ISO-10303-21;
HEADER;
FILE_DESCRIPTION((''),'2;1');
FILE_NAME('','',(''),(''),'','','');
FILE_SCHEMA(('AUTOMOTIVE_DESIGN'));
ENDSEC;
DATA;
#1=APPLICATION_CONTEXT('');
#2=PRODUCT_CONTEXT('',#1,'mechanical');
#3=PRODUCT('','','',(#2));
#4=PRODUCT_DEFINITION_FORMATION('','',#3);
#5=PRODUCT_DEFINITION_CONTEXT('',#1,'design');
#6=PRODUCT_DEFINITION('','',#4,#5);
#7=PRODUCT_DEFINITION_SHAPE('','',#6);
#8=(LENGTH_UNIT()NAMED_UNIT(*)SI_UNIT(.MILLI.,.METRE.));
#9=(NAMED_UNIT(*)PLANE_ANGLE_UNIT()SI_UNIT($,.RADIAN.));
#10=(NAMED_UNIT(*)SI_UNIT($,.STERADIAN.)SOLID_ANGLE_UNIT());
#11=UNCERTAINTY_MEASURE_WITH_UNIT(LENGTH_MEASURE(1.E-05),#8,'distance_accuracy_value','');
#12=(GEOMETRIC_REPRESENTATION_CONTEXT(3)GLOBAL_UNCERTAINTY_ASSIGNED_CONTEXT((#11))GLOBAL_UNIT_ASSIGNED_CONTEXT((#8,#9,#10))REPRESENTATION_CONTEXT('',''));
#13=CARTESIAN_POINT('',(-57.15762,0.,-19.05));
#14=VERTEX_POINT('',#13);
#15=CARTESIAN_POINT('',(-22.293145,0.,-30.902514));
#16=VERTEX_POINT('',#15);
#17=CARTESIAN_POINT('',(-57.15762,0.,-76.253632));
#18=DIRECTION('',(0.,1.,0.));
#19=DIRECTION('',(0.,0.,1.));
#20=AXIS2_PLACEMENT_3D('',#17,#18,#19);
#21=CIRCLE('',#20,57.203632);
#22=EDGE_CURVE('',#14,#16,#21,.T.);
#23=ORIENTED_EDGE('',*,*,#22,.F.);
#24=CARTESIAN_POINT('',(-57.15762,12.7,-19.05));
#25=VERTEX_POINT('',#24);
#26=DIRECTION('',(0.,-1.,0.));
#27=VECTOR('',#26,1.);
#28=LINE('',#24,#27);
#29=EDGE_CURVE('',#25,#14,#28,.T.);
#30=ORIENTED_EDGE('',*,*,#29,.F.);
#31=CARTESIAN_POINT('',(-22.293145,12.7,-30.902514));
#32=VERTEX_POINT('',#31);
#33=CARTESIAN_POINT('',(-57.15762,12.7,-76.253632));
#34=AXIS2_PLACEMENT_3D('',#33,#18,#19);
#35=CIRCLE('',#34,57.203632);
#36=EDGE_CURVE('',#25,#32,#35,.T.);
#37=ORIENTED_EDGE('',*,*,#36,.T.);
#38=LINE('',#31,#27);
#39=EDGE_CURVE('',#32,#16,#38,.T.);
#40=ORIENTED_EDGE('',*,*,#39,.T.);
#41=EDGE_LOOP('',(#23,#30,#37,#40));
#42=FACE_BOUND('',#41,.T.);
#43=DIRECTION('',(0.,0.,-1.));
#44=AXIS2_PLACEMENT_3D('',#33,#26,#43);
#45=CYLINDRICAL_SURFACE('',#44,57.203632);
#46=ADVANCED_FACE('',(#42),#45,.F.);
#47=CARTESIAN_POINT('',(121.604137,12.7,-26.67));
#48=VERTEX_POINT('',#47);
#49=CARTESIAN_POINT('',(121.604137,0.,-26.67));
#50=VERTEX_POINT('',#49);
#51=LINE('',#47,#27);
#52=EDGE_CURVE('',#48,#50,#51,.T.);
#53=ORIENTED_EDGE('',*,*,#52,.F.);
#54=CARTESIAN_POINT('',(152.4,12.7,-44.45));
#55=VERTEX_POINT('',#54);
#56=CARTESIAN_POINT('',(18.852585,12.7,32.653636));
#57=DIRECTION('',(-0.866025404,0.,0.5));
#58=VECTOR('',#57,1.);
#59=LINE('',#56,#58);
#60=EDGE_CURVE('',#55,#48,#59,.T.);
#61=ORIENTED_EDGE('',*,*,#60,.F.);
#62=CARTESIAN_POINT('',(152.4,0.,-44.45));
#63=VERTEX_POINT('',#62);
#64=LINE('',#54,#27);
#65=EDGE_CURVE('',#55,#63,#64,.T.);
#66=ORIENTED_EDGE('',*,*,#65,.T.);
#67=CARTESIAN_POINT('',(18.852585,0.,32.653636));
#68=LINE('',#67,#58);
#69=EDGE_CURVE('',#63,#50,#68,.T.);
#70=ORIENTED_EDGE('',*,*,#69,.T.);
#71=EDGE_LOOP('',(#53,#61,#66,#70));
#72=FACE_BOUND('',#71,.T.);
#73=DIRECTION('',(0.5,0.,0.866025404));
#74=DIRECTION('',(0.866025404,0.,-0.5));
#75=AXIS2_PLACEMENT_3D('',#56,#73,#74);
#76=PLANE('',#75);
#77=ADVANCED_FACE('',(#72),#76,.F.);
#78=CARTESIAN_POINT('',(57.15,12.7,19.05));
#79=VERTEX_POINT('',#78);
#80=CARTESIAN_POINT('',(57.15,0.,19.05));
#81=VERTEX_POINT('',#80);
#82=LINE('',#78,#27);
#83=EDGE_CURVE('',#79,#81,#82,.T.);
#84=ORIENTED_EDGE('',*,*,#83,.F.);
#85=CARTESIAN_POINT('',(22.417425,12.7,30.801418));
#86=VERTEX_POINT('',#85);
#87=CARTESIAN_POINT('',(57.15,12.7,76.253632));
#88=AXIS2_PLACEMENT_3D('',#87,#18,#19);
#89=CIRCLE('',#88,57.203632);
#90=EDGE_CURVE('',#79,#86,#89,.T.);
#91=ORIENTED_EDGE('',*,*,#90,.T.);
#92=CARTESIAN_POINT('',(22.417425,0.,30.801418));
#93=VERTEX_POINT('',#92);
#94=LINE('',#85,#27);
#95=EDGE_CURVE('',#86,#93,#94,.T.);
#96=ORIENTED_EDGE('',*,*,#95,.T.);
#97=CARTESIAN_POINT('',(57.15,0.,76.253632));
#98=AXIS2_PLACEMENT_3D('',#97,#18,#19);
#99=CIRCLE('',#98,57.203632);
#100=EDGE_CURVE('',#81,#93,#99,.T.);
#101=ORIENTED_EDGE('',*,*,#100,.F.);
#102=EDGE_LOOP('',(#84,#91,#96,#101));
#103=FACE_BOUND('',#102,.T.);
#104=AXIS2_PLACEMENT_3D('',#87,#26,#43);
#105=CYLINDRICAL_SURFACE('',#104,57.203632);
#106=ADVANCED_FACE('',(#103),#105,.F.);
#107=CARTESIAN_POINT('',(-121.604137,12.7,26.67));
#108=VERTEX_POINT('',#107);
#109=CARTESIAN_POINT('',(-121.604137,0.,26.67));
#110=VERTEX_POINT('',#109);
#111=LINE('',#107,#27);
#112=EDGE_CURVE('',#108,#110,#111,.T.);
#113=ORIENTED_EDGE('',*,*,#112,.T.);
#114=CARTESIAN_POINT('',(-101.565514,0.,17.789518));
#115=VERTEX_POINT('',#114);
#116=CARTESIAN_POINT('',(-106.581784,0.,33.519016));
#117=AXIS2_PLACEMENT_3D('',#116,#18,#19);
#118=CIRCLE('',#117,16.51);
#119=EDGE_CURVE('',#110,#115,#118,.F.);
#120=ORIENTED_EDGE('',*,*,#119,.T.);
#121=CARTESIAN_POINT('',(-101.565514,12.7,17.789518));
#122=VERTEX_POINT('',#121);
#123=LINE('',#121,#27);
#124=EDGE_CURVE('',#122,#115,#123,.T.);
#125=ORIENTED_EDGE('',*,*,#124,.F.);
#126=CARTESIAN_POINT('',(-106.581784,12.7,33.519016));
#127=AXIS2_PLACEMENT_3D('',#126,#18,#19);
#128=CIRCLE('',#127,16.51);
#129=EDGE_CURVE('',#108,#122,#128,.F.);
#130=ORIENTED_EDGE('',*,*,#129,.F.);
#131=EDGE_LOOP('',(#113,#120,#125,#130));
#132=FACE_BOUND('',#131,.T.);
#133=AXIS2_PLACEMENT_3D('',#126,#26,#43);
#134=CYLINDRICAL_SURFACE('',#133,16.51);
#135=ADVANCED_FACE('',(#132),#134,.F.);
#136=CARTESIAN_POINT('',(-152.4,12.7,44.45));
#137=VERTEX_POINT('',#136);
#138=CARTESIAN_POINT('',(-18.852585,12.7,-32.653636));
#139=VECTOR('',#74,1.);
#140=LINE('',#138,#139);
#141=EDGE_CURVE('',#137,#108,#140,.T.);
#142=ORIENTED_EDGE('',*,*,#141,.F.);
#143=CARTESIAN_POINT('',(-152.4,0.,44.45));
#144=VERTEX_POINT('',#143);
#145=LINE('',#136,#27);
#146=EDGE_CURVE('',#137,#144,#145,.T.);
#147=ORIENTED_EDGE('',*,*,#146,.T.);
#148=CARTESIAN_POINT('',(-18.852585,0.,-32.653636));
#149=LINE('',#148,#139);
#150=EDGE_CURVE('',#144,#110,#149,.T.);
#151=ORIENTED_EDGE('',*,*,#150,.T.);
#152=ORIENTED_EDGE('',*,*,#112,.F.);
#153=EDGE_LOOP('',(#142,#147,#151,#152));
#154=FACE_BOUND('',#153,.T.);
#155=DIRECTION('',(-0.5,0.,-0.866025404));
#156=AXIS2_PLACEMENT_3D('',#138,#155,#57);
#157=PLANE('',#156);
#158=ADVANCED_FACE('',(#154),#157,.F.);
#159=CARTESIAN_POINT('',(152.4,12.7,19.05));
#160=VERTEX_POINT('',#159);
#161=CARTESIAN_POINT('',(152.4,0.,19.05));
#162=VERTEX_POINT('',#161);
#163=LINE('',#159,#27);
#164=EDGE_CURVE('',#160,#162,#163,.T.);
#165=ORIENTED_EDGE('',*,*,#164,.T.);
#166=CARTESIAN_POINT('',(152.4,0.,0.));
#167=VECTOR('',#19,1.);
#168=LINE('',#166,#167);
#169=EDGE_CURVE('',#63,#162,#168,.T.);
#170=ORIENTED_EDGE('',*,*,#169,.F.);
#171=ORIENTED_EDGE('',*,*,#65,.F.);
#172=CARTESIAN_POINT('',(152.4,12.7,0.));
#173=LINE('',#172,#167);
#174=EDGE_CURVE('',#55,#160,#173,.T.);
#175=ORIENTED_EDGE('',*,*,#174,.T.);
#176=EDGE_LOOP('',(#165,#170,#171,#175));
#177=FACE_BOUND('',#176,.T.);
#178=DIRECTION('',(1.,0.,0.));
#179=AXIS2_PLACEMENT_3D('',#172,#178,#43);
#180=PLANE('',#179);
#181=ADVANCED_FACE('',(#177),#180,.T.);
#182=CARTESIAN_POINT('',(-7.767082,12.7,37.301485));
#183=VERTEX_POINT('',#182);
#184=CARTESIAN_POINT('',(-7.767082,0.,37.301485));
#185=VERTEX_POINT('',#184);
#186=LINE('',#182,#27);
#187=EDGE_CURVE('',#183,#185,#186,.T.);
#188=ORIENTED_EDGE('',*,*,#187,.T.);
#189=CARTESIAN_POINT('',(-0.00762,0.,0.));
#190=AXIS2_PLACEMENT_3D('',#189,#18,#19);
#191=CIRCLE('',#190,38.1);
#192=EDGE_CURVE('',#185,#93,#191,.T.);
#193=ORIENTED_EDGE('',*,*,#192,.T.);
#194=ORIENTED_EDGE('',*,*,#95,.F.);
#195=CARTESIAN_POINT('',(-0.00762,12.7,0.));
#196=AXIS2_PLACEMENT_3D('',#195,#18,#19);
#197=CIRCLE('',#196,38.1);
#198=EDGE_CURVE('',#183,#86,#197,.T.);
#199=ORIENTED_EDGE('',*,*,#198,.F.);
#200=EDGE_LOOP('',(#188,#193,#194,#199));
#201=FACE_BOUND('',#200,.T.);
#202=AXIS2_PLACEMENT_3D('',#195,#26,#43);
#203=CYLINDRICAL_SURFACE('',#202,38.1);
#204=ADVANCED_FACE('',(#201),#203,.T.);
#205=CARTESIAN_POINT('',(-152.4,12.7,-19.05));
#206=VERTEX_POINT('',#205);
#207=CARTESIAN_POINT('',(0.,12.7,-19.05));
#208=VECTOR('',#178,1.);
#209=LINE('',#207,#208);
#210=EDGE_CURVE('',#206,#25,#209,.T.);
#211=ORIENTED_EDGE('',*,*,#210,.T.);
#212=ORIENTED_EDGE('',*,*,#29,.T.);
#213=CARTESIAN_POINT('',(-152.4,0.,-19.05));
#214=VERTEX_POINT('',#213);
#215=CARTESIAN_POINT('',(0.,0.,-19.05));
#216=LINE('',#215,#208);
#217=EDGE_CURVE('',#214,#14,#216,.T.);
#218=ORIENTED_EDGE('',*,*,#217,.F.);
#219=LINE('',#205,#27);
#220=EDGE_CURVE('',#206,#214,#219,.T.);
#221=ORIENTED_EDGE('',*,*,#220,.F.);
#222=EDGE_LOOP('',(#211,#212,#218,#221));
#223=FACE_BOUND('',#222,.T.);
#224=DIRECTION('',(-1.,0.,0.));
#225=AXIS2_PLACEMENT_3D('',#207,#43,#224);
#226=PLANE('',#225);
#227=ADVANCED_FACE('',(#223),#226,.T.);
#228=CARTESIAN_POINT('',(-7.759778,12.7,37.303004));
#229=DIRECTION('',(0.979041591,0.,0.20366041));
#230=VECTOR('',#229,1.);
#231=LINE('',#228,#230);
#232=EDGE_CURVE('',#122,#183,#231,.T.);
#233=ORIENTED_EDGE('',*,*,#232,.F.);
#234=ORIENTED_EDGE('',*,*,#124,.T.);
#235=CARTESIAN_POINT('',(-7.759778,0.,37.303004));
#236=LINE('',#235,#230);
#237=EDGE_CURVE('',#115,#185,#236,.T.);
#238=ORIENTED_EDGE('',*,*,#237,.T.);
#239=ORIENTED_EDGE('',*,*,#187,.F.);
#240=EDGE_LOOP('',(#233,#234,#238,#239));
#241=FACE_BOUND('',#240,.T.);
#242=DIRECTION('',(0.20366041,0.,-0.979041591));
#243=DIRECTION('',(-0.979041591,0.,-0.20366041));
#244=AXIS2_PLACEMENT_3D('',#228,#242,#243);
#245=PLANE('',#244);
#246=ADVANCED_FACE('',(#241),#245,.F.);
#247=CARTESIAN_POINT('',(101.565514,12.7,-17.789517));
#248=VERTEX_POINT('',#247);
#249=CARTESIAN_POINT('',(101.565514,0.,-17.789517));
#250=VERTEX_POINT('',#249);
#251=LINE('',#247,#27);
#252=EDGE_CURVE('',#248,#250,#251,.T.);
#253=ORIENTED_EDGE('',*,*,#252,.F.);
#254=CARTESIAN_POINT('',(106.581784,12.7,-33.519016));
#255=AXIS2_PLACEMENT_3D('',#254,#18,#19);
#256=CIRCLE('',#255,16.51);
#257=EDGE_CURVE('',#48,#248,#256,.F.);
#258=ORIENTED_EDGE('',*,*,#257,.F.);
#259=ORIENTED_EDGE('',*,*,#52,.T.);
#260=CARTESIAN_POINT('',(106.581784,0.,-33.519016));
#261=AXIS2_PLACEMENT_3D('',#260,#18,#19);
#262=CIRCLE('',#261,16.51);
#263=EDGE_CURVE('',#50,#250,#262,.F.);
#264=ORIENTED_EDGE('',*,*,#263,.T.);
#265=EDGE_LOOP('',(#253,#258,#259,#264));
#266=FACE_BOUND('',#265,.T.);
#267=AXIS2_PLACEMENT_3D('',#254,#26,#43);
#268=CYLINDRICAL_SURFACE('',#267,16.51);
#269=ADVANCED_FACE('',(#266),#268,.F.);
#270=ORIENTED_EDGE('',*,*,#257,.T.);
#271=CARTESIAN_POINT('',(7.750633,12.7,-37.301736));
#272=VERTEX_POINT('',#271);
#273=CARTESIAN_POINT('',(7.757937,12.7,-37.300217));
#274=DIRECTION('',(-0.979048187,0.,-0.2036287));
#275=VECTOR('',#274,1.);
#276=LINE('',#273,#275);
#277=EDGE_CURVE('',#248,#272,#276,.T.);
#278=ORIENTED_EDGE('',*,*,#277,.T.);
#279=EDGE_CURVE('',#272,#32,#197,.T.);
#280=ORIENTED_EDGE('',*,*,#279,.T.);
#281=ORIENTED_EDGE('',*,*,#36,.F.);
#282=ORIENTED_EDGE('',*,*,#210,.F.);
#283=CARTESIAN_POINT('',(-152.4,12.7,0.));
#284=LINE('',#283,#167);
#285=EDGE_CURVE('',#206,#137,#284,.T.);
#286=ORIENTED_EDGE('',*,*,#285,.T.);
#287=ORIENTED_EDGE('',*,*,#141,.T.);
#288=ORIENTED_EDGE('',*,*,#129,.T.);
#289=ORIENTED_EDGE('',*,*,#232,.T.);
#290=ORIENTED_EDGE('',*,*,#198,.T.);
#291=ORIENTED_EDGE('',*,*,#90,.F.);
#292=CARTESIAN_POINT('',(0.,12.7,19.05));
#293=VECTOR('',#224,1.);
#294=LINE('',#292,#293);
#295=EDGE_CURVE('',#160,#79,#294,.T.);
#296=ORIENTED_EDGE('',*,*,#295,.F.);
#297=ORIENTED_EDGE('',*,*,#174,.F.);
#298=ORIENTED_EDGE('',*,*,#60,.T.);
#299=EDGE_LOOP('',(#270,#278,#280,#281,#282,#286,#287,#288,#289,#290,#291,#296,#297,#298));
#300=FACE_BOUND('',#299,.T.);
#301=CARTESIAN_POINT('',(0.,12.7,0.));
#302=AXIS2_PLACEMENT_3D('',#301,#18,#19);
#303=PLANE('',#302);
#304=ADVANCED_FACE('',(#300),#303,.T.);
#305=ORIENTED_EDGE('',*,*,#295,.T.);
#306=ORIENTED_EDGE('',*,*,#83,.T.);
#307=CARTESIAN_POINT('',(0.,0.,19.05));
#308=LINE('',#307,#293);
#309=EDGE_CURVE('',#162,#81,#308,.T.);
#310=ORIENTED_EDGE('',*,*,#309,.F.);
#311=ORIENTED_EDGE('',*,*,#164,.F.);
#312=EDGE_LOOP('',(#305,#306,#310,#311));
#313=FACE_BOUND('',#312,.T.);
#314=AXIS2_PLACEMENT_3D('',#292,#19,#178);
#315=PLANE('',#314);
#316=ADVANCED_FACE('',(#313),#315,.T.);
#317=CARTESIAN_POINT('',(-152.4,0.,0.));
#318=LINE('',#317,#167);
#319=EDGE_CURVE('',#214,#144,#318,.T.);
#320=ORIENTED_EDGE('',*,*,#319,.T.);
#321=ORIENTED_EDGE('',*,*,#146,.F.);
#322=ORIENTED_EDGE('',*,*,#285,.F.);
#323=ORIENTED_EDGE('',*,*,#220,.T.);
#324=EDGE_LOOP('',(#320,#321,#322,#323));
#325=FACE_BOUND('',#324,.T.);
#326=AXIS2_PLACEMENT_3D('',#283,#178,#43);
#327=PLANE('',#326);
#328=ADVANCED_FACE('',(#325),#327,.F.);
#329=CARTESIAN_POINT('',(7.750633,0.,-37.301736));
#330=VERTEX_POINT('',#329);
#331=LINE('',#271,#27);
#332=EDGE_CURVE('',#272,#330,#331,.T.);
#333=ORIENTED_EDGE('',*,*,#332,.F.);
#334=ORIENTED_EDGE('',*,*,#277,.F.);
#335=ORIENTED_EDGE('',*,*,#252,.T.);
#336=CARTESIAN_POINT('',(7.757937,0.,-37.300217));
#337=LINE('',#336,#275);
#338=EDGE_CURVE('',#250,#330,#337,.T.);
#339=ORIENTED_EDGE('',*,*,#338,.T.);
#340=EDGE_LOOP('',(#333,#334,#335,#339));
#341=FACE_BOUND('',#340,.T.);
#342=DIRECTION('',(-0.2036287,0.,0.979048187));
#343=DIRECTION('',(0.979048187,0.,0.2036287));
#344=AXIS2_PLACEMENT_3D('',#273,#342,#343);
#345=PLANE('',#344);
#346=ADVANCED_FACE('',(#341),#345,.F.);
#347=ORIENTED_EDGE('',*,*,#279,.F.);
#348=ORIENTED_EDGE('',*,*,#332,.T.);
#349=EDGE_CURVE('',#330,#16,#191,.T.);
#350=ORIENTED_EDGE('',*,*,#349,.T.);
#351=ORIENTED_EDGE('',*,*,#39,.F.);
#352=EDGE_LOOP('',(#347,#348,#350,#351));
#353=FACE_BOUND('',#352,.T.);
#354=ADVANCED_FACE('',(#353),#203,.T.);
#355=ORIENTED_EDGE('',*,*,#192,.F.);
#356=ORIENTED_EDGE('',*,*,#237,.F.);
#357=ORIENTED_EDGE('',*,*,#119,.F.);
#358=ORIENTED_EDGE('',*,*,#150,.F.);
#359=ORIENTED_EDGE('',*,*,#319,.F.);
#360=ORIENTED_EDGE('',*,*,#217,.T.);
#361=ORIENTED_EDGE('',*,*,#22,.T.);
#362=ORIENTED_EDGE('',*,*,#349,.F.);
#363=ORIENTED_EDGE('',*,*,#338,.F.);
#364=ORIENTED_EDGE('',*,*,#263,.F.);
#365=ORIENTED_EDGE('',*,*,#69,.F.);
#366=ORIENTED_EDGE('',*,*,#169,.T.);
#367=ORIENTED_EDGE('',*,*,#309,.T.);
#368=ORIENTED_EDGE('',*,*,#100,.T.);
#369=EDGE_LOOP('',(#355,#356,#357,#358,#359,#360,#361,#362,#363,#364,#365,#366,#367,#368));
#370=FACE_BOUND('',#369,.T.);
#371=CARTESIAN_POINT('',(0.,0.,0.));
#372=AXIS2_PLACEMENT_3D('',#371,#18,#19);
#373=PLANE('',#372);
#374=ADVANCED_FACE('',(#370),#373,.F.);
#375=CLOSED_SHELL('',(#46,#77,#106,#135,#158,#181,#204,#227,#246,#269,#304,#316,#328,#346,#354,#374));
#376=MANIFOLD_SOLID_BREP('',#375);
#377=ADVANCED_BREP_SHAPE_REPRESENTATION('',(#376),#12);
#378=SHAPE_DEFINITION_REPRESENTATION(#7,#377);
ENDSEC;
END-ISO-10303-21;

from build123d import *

# Parameters (mm, degrees)
SKETCH1_R           = 38.1
BOSS_EXTRUDE1_DEPTH = 12.7


with BuildPart() as part:
    # Sketch1 → Boss-Extrude1 (new body)
    with BuildSketch(Plane(origin=(0, 0, 0), x_dir=(1, 0, 0), z_dir=(0, 1, 0))):
        with BuildLine():
            Line((-57.15762, 19.05), (-152.4, 19.05))
            Line((-152.4, 19.05), (-152.4, -44.45))
            Line((-152.4, -44.45), (-121.604136641, -26.67))
            ThreePointArc((-121.604136641, -26.67), (-113.271041312, -18.424847404), (-101.565513762, -17.789517681))
            Line((-101.565513762, -17.789517681), (-7.767081629, -37.301484625))
            ThreePointArc((-7.767081629, -37.301484625), (-37.11967814, -8.620042959), (-23.413788565, 30.062622525))
            ThreePointArc((-23.413788565, 30.062622525), (-39.409915819, 21.872803477), (-57.15762, 19.05))
        make_face()
        with Locations((-0.00762, 0)):
            Circle(SKETCH1_R)
        with BuildLine():
            Line((152.4, -19.05), (152.4, 44.45))
            Line((152.4, 44.45), (121.604136641, 26.67))
            ThreePointArc((121.604136641, 26.67), (113.271041375, 18.424847303), (101.565513804, 17.789517483))
            Line((101.565513804, 17.789517483), (7.750633458, 37.301735929))
            ThreePointArc((7.750633458, 37.301735929), (29.549100528, 24.041844181), (38.09238, 0))
            ThreePointArc((38.09238, 0), (34.18553193, -16.805902567), (23.266219313, -30.165185291))
            ThreePointArc((23.266219313, -30.165185291), (39.319843399, -21.899781819), (57.15, -19.05))
            Line((57.15, -19.05), (152.4, -19.05))
        make_face()
    extrude(amount=BOSS_EXTRUDE1_DEPTH)


solid = part.part
